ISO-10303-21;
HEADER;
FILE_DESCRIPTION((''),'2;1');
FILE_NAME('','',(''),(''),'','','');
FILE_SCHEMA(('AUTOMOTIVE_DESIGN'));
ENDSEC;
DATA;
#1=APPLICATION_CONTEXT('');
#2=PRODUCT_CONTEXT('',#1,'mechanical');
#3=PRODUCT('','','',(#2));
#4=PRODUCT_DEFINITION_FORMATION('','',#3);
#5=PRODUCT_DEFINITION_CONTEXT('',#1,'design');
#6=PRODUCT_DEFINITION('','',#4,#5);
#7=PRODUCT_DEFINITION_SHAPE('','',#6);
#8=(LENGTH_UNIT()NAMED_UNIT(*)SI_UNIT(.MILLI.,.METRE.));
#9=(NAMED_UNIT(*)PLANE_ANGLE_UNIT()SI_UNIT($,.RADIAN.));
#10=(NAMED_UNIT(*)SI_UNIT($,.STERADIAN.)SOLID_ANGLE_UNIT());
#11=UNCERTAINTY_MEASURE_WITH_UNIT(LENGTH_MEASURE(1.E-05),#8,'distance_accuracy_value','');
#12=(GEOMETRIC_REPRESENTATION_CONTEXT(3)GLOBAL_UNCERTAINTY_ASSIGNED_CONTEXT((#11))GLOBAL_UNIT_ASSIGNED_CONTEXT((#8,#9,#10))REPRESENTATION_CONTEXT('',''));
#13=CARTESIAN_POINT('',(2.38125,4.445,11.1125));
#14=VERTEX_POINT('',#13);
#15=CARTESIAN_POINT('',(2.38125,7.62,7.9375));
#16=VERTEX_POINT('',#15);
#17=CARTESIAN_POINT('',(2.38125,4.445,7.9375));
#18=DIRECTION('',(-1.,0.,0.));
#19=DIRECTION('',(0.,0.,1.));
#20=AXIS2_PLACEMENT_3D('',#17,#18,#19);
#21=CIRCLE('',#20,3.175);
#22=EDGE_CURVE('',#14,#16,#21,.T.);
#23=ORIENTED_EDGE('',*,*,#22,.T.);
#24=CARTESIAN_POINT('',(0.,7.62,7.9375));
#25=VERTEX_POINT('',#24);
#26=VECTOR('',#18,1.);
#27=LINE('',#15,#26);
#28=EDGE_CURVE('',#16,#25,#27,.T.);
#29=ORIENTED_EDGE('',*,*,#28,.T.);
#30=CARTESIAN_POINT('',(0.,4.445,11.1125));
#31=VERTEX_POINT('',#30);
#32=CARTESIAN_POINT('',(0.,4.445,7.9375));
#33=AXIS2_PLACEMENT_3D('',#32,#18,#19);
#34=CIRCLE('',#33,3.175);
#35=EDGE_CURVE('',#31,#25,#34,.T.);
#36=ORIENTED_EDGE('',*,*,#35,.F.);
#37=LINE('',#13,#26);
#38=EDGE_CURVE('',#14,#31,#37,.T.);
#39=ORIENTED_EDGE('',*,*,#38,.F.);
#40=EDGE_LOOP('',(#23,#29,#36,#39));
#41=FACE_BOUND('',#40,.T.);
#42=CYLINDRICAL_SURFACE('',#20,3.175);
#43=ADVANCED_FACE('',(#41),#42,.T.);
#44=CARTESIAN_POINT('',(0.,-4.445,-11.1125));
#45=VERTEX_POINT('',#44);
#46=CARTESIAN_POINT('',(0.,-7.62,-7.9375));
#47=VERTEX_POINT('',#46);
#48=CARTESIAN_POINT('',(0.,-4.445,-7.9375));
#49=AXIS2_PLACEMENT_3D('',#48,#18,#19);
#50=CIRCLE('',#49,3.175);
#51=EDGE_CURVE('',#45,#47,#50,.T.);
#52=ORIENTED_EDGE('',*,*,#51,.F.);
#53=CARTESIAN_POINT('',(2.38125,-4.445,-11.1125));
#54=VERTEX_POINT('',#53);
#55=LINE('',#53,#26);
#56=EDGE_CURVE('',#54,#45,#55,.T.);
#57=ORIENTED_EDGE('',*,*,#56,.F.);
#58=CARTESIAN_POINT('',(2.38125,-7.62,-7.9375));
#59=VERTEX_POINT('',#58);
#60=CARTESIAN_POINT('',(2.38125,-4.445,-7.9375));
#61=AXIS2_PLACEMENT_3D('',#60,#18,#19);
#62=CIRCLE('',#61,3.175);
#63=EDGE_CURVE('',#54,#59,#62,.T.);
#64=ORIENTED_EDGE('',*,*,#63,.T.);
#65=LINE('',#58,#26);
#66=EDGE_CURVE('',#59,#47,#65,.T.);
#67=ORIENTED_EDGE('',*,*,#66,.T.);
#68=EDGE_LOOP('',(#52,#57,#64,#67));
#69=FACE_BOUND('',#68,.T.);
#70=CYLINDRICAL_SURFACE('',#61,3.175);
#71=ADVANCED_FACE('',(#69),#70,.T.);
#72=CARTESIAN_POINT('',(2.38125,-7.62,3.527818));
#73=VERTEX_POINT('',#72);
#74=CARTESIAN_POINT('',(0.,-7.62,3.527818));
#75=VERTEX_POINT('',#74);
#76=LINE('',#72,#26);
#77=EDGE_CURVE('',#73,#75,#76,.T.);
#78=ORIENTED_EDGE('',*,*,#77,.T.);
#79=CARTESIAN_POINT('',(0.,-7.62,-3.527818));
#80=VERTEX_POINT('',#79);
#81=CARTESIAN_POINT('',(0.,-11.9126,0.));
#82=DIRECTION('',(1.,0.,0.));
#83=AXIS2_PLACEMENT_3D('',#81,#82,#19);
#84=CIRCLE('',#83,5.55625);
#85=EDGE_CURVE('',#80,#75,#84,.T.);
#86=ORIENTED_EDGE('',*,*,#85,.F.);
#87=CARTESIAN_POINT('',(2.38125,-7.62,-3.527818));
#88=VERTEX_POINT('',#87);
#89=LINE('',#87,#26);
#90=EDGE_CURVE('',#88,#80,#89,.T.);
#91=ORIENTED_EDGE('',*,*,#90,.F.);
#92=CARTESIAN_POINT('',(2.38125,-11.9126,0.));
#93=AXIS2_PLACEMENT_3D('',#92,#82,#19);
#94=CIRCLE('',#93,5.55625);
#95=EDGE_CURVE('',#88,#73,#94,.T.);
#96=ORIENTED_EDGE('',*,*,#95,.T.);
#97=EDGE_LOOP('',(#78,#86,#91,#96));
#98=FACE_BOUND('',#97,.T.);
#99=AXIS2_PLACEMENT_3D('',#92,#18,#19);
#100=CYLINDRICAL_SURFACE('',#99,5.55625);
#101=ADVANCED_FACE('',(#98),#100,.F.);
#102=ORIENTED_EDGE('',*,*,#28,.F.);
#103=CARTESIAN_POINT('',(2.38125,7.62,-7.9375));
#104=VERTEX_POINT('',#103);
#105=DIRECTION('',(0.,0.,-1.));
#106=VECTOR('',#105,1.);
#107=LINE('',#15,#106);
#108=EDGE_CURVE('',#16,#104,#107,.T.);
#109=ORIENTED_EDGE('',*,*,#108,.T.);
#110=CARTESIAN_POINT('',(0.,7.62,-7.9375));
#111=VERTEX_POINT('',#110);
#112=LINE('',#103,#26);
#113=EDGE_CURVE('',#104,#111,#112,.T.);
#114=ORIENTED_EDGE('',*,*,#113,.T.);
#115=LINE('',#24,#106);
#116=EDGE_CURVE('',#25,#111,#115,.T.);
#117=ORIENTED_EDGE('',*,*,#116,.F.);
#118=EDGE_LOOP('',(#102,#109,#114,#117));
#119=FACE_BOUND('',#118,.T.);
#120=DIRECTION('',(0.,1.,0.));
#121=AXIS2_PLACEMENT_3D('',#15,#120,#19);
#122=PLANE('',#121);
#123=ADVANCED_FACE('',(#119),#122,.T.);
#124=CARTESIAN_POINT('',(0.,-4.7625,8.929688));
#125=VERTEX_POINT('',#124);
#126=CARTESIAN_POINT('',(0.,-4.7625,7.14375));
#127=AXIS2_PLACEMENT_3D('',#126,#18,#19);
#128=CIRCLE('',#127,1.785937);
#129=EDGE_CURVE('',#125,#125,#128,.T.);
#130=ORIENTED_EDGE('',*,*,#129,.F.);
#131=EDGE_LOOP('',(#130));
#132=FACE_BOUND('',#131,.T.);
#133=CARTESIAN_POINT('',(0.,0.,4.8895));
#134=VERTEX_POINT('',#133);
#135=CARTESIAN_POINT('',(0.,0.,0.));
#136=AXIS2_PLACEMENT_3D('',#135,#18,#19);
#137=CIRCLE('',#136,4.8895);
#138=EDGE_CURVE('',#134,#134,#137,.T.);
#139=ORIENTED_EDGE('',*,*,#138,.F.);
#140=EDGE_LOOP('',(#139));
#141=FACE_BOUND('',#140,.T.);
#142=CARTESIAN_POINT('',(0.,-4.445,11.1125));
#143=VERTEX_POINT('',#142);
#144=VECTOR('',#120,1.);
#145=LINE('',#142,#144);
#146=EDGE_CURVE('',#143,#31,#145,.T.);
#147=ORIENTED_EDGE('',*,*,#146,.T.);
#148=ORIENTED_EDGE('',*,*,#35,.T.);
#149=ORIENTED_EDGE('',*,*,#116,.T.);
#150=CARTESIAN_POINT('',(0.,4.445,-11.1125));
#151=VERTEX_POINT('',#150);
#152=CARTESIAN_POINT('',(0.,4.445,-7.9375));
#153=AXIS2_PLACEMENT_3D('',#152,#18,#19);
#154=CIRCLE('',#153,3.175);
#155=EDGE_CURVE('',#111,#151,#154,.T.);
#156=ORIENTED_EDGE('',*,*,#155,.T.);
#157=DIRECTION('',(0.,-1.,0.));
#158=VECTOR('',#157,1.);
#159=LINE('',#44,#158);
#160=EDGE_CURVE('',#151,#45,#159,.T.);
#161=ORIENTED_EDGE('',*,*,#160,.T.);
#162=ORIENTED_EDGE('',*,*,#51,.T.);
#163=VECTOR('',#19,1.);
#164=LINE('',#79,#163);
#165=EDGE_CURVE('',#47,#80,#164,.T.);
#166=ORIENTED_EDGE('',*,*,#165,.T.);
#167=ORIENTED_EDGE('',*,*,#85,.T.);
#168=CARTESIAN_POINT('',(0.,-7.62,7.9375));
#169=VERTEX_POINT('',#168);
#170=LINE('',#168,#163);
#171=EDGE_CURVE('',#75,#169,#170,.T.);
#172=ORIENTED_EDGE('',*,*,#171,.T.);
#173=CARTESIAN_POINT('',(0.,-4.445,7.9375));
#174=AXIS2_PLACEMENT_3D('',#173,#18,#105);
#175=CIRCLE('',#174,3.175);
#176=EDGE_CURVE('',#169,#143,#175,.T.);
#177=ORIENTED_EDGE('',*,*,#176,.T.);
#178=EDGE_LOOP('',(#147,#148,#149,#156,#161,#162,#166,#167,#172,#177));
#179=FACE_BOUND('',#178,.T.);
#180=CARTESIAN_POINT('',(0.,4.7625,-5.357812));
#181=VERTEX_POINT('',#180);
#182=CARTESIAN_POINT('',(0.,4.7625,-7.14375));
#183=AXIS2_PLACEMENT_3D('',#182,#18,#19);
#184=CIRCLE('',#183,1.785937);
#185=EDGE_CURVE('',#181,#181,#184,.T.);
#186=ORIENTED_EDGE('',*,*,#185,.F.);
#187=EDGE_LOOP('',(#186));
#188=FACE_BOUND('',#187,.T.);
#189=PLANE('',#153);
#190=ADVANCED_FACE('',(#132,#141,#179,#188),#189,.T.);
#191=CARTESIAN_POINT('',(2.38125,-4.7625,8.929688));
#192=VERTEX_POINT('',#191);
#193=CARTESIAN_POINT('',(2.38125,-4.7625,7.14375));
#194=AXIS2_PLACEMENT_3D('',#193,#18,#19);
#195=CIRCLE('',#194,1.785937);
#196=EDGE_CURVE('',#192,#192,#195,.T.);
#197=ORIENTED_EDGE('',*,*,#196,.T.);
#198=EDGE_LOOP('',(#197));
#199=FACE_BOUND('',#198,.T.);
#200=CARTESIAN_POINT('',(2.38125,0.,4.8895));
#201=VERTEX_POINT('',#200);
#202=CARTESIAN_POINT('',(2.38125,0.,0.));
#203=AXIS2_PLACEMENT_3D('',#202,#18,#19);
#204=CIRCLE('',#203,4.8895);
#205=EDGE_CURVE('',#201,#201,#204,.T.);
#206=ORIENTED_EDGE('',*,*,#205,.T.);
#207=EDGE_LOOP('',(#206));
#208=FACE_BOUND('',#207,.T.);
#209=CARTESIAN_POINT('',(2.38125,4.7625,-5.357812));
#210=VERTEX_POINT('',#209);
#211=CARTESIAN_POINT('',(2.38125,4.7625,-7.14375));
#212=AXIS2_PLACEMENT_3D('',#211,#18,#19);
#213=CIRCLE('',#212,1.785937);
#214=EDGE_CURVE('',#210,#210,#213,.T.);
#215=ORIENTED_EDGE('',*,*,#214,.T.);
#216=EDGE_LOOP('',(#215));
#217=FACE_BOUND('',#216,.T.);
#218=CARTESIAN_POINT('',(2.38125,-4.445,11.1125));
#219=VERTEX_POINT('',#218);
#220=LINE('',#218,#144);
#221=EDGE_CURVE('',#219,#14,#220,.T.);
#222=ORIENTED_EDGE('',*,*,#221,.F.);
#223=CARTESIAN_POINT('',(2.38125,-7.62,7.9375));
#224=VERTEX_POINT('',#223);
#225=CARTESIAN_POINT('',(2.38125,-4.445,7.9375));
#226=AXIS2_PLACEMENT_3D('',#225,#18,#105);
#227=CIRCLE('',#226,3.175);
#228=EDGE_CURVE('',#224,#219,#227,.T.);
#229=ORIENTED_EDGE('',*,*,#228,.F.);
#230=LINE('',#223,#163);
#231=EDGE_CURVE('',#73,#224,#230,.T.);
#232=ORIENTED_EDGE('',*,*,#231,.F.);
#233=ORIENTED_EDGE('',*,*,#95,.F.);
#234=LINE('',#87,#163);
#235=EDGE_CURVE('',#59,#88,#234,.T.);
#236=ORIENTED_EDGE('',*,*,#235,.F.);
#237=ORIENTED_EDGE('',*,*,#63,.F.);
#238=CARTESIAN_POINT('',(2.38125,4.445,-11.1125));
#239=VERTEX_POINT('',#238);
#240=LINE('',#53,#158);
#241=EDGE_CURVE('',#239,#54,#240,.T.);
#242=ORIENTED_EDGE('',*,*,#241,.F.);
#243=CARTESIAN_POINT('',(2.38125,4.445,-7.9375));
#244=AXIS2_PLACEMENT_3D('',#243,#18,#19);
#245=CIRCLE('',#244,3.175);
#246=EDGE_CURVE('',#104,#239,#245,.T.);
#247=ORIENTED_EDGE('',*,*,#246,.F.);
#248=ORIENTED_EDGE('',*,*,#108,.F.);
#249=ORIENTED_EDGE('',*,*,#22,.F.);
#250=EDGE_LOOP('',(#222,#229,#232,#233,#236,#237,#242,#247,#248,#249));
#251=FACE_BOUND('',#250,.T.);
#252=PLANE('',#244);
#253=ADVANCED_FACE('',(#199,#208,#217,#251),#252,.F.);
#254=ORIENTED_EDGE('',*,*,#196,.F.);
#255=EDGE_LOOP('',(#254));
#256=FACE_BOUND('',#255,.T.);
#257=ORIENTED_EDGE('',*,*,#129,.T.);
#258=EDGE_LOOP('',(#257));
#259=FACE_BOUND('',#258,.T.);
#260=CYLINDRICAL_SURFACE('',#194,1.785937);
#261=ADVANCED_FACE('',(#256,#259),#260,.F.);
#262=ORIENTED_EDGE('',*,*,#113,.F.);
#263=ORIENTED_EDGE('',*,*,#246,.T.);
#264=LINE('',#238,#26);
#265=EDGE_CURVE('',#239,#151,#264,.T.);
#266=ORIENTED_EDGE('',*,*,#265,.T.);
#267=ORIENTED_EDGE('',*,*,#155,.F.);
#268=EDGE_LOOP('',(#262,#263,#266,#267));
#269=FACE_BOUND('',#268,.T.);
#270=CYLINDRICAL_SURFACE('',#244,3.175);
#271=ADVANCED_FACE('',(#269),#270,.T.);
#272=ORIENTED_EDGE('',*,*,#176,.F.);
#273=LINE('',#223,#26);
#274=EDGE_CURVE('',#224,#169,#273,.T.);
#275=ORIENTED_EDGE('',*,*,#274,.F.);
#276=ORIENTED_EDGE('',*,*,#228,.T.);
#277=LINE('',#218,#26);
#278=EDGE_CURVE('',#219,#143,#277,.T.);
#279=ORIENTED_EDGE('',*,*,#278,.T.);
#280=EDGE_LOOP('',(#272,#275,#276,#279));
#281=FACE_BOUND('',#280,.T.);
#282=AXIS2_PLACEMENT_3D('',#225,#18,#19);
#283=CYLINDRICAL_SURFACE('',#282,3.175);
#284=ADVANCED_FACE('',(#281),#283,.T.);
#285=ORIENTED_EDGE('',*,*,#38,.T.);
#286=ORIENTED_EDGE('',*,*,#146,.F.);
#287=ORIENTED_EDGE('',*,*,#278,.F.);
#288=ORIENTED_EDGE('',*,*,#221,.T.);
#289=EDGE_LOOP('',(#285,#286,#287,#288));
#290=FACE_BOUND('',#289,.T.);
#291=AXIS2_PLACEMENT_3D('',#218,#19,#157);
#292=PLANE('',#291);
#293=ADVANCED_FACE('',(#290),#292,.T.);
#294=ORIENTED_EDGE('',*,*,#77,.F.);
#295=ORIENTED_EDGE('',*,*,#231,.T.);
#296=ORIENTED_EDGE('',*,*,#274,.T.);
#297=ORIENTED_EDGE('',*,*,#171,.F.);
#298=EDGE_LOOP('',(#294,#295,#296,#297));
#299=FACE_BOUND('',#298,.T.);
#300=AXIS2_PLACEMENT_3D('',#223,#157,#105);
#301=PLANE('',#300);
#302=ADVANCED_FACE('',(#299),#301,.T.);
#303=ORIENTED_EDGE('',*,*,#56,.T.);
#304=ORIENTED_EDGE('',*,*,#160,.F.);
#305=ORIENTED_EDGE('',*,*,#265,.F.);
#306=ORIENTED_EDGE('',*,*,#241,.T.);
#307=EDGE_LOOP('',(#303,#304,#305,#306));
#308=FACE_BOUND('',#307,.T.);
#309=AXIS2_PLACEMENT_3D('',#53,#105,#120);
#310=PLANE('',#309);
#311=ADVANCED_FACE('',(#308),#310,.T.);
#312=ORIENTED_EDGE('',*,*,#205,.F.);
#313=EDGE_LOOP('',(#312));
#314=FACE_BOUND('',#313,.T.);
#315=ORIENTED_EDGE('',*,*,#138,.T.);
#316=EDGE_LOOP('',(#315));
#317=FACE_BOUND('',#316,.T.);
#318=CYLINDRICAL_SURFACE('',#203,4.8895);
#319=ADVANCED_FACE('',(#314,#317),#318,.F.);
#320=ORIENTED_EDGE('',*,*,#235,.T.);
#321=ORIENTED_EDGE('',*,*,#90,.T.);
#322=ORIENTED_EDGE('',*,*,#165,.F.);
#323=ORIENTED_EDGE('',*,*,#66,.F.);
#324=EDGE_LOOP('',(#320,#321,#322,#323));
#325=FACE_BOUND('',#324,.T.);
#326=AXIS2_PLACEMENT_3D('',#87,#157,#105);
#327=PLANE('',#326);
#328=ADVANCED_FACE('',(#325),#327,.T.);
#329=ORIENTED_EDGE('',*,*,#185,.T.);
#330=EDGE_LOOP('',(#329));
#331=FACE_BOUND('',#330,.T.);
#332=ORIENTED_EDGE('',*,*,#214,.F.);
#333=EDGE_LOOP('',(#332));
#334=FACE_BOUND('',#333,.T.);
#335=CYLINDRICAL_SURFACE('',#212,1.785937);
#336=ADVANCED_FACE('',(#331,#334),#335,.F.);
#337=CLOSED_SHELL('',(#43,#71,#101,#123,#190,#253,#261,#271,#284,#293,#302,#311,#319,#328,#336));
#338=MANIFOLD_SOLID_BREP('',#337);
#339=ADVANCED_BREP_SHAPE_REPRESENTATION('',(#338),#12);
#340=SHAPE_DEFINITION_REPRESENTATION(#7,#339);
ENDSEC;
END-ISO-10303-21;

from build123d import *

# Parameters (mm, degrees)
SKETCH2_R      = 4.8895
SKETCH2_R_2    = 1.7859375
EXTRUDE1_DEPTH = 2.38125


with BuildPart() as part:
    # Sketch2 → Extrude1 (new body)
    with BuildSketch(Plane.ZY):
        with BuildLine():
            Line((7.9375, -7.62), (3.527817924, -7.62))
            ThreePointArc((3.527817924, -7.62), (0, -6.35635), (-3.527817924, -7.62))
            Line((-3.527817924, -7.62), (-7.9375, -7.62))
            ThreePointArc((-7.9375, -7.62), (-10.18256403, -6.69006403), (-11.1125, -4.445))
            Line((-11.1125, -4.445), (-11.1125, 4.445))
            ThreePointArc((-11.1125, 4.445), (-10.18256403, 6.69006403), (-7.9375, 7.62))
            Line((-7.9375, 7.62), (7.9375, 7.62))
            ThreePointArc((7.9375, 7.62), (10.18256403, 6.69006403), (11.1125, 4.445))
            Line((11.1125, 4.445), (11.1125, -4.445))
            ThreePointArc((11.1125, -4.445), (10.18256403, -6.69006403), (7.9375, -7.62))
        make_face()
        Circle(SKETCH2_R, mode=Mode.SUBTRACT)
        with Locations((-7.14375, 4.7625)):
            Circle(SKETCH2_R_2, mode=Mode.SUBTRACT)
        with Locations((7.14375, -4.7625)):
            Circle(SKETCH2_R_2, mode=Mode.SUBTRACT)
    extrude(amount=-EXTRUDE1_DEPTH)


solid = part.part
